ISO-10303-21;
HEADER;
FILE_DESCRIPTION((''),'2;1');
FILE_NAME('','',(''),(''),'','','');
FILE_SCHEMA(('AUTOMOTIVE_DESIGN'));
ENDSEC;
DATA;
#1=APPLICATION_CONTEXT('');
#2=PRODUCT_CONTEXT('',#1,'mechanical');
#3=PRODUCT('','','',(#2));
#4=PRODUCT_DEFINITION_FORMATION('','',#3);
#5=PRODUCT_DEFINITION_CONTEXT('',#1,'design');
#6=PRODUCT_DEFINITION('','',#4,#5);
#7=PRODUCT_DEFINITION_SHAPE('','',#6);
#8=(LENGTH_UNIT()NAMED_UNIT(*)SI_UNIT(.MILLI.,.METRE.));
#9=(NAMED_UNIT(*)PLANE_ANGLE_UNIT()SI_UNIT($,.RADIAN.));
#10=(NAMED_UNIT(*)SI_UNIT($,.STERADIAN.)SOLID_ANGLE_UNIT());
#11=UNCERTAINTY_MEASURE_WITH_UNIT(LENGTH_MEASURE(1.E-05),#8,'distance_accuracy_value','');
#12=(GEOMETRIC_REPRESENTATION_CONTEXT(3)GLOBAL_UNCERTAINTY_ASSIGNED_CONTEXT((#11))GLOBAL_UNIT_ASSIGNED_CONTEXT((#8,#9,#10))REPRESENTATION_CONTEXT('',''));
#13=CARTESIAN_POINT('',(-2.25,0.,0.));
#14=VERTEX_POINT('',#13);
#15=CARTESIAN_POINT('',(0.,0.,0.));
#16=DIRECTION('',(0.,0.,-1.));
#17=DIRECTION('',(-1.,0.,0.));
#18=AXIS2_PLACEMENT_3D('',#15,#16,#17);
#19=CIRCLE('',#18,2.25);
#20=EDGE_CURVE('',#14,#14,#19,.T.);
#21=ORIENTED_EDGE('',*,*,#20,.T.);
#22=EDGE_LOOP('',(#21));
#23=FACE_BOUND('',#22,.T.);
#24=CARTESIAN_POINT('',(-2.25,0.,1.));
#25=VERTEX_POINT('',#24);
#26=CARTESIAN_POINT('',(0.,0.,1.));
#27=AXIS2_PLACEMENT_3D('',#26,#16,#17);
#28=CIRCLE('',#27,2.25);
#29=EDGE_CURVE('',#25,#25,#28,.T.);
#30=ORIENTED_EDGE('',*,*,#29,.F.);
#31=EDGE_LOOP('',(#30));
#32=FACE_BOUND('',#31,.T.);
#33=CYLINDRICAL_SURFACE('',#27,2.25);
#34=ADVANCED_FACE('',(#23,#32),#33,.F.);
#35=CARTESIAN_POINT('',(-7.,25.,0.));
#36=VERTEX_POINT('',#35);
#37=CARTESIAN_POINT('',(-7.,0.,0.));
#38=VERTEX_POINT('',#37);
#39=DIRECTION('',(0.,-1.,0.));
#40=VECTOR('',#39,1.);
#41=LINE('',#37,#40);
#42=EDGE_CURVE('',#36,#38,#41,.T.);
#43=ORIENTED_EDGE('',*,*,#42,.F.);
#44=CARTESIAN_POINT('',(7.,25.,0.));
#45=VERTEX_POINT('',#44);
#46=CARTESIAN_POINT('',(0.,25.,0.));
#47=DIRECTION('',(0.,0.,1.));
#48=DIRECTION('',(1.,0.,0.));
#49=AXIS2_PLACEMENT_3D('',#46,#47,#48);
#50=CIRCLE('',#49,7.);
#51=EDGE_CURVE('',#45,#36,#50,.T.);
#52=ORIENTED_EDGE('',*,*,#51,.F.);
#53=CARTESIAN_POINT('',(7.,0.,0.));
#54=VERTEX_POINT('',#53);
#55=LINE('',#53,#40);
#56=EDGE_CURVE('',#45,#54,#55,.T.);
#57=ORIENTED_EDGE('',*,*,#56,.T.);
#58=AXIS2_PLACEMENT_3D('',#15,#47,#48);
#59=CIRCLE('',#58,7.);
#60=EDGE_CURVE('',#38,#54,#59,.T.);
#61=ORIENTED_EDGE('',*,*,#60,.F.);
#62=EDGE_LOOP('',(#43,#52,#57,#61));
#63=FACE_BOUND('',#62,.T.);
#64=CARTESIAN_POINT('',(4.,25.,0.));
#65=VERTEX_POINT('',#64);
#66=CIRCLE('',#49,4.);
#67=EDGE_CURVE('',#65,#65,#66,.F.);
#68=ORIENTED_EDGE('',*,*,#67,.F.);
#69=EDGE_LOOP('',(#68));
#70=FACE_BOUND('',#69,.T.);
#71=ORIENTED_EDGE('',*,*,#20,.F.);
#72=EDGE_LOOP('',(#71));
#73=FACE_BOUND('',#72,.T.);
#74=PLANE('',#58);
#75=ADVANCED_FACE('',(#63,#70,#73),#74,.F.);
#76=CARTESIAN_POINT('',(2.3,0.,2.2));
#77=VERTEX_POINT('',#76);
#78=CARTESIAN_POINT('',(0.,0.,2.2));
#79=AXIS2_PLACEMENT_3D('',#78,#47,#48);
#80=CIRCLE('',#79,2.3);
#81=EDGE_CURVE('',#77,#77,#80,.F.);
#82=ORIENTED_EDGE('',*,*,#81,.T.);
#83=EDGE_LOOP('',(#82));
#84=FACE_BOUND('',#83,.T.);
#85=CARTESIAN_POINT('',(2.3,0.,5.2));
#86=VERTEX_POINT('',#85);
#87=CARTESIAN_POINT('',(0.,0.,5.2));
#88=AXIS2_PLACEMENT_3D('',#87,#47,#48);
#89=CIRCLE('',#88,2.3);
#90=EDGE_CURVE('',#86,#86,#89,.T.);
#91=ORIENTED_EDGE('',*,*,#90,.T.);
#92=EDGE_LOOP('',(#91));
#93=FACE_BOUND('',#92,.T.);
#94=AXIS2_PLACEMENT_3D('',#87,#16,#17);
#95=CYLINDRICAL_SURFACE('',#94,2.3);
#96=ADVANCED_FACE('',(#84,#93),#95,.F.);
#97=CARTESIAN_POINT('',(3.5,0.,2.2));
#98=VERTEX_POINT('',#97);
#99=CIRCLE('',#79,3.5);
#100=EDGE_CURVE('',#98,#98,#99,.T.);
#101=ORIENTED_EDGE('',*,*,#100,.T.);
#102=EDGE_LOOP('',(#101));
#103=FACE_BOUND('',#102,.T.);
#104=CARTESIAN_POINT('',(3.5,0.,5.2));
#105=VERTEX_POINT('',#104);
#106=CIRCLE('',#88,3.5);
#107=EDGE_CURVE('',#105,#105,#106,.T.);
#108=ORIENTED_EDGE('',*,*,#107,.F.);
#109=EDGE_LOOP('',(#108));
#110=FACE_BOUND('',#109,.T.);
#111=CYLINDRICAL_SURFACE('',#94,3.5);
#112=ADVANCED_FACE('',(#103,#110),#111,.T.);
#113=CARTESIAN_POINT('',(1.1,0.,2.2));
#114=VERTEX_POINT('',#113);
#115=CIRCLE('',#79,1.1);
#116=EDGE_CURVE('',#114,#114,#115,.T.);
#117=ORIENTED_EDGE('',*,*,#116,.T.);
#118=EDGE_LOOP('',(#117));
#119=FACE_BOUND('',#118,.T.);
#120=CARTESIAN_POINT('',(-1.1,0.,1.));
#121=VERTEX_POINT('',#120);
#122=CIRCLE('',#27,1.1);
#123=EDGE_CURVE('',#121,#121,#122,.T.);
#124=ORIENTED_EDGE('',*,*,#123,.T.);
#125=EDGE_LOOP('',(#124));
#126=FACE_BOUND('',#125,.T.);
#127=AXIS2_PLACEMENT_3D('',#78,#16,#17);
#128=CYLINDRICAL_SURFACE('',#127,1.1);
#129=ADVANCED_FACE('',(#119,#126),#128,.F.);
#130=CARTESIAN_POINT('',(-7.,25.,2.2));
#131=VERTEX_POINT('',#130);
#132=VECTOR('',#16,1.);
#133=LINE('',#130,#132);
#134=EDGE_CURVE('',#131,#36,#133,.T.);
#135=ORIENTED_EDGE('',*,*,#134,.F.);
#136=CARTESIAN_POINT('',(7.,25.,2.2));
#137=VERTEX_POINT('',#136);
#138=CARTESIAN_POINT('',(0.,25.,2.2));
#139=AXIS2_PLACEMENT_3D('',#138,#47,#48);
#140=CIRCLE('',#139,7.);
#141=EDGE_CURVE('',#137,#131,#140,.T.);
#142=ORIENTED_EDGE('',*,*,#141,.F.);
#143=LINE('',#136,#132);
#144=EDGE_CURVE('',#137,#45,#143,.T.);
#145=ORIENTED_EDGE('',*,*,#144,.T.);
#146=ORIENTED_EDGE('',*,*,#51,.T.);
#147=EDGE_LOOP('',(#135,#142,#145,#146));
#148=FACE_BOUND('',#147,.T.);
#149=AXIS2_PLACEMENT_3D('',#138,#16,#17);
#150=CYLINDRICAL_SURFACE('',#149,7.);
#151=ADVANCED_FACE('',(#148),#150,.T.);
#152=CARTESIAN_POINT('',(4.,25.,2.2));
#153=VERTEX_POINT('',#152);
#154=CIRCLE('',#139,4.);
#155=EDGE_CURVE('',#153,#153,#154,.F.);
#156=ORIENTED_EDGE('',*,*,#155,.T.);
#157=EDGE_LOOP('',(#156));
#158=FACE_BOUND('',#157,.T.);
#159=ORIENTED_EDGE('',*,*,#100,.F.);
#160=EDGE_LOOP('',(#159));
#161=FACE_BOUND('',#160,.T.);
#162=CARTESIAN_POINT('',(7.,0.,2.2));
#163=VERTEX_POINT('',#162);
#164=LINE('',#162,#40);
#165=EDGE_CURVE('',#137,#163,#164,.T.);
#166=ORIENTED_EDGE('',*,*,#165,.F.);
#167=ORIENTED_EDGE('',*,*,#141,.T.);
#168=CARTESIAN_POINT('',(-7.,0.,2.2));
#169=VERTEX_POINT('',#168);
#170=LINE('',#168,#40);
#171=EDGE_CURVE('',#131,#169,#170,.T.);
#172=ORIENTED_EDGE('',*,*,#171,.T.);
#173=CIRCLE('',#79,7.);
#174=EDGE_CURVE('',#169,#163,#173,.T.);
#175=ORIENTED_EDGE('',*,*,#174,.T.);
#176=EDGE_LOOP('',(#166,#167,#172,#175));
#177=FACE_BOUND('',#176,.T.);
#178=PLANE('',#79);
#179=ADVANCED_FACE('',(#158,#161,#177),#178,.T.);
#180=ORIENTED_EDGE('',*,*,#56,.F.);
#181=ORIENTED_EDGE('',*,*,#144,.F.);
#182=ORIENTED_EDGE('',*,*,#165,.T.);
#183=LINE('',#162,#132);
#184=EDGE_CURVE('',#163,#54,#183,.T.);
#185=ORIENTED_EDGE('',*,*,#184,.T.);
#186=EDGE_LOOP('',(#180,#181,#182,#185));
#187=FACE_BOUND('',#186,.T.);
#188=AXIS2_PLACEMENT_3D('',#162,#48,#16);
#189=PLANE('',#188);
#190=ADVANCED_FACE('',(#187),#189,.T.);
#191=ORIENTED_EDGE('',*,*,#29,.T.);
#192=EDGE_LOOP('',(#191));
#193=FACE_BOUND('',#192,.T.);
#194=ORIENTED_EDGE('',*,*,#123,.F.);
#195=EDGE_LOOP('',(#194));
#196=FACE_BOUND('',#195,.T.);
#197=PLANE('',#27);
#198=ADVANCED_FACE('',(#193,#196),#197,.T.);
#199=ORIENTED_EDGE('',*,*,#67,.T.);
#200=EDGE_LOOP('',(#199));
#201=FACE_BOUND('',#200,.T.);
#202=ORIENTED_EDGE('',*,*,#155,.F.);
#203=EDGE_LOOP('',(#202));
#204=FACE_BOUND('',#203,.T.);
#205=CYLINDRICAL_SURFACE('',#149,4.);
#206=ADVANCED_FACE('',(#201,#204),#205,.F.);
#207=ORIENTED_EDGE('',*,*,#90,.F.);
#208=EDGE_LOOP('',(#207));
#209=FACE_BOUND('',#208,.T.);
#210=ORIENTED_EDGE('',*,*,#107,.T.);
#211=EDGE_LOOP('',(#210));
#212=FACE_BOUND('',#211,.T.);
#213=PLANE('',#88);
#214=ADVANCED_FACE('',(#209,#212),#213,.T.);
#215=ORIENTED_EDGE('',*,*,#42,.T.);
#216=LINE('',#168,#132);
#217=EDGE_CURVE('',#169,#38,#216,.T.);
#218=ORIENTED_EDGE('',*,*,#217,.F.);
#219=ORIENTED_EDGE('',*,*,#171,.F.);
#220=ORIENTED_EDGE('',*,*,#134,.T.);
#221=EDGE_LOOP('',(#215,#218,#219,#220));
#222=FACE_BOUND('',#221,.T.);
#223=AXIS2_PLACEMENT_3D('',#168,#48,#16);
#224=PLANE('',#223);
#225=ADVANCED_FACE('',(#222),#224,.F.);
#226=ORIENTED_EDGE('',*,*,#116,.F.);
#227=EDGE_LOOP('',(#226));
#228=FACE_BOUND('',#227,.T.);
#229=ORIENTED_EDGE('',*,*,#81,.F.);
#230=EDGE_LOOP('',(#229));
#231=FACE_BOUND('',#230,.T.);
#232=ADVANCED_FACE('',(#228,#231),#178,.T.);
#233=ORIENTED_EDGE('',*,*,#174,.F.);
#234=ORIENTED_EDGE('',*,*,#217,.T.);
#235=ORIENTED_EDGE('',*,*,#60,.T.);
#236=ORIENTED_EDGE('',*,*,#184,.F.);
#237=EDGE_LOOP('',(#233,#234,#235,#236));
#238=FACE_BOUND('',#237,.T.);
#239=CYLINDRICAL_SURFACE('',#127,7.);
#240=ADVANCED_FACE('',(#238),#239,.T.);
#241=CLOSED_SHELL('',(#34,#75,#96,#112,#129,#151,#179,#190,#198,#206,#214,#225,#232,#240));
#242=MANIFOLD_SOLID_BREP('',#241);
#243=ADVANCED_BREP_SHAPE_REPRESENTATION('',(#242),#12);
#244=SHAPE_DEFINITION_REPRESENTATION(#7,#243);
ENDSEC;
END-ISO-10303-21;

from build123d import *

# Parameters (mm, degrees)
CROQUIS1_R              = 1.1
SALIENTE_EXTRUIR1_DEPTH = 2.2
CROQUIS2_R              = 3.5
CROQUIS2_R_2            = 2.3
SALIENTE_EXTRUIR2_DEPTH = 3
CROQUIS3_R              = 2.25
CORTAR_EXTRUIR1_DEPTH   = 1


with BuildPart() as part:
    # Croquis1 → Saliente-Extruir1 (new body)
    with BuildSketch(Plane.XY):
        with BuildLine():
            Line((-7, 25), (-7, 0))
            ThreePointArc((-7, 0), (0, -7), (7, 0))
            Line((7, 0), (7, 25))
            ThreePointArc((7, 25), (0, 32), (-7, 25))
        make_face()
        Circle(CROQUIS1_R, mode=Mode.SUBTRACT)
        with BuildLine():
            ThreePointArc((4, 25), (0, 29), (-4, 25))
            ThreePointArc((-4, 25), (0, 21), (4, 25))
        make_face(mode=Mode.SUBTRACT)
    extrude(amount=SALIENTE_EXTRUIR1_DEPTH)

    # Croquis2 → Saliente-Extruir2 (add)
    with BuildSketch(Plane.XY.offset(2.2)):
        Circle(CROQUIS2_R)
        Circle(CROQUIS2_R_2, mode=Mode.SUBTRACT)
    extrude(amount=SALIENTE_EXTRUIR2_DEPTH)

    # Croquis3 → Cortar-Extruir1 (cut)
    with BuildSketch(Plane(origin=(0, 0, 0), x_dir=(-1, 0, 0), z_dir=(0, 0, -1))):
        Circle(CROQUIS3_R)
    extrude(amount=-CORTAR_EXTRUIR1_DEPTH, mode=Mode.SUBTRACT)


solid = part.part
